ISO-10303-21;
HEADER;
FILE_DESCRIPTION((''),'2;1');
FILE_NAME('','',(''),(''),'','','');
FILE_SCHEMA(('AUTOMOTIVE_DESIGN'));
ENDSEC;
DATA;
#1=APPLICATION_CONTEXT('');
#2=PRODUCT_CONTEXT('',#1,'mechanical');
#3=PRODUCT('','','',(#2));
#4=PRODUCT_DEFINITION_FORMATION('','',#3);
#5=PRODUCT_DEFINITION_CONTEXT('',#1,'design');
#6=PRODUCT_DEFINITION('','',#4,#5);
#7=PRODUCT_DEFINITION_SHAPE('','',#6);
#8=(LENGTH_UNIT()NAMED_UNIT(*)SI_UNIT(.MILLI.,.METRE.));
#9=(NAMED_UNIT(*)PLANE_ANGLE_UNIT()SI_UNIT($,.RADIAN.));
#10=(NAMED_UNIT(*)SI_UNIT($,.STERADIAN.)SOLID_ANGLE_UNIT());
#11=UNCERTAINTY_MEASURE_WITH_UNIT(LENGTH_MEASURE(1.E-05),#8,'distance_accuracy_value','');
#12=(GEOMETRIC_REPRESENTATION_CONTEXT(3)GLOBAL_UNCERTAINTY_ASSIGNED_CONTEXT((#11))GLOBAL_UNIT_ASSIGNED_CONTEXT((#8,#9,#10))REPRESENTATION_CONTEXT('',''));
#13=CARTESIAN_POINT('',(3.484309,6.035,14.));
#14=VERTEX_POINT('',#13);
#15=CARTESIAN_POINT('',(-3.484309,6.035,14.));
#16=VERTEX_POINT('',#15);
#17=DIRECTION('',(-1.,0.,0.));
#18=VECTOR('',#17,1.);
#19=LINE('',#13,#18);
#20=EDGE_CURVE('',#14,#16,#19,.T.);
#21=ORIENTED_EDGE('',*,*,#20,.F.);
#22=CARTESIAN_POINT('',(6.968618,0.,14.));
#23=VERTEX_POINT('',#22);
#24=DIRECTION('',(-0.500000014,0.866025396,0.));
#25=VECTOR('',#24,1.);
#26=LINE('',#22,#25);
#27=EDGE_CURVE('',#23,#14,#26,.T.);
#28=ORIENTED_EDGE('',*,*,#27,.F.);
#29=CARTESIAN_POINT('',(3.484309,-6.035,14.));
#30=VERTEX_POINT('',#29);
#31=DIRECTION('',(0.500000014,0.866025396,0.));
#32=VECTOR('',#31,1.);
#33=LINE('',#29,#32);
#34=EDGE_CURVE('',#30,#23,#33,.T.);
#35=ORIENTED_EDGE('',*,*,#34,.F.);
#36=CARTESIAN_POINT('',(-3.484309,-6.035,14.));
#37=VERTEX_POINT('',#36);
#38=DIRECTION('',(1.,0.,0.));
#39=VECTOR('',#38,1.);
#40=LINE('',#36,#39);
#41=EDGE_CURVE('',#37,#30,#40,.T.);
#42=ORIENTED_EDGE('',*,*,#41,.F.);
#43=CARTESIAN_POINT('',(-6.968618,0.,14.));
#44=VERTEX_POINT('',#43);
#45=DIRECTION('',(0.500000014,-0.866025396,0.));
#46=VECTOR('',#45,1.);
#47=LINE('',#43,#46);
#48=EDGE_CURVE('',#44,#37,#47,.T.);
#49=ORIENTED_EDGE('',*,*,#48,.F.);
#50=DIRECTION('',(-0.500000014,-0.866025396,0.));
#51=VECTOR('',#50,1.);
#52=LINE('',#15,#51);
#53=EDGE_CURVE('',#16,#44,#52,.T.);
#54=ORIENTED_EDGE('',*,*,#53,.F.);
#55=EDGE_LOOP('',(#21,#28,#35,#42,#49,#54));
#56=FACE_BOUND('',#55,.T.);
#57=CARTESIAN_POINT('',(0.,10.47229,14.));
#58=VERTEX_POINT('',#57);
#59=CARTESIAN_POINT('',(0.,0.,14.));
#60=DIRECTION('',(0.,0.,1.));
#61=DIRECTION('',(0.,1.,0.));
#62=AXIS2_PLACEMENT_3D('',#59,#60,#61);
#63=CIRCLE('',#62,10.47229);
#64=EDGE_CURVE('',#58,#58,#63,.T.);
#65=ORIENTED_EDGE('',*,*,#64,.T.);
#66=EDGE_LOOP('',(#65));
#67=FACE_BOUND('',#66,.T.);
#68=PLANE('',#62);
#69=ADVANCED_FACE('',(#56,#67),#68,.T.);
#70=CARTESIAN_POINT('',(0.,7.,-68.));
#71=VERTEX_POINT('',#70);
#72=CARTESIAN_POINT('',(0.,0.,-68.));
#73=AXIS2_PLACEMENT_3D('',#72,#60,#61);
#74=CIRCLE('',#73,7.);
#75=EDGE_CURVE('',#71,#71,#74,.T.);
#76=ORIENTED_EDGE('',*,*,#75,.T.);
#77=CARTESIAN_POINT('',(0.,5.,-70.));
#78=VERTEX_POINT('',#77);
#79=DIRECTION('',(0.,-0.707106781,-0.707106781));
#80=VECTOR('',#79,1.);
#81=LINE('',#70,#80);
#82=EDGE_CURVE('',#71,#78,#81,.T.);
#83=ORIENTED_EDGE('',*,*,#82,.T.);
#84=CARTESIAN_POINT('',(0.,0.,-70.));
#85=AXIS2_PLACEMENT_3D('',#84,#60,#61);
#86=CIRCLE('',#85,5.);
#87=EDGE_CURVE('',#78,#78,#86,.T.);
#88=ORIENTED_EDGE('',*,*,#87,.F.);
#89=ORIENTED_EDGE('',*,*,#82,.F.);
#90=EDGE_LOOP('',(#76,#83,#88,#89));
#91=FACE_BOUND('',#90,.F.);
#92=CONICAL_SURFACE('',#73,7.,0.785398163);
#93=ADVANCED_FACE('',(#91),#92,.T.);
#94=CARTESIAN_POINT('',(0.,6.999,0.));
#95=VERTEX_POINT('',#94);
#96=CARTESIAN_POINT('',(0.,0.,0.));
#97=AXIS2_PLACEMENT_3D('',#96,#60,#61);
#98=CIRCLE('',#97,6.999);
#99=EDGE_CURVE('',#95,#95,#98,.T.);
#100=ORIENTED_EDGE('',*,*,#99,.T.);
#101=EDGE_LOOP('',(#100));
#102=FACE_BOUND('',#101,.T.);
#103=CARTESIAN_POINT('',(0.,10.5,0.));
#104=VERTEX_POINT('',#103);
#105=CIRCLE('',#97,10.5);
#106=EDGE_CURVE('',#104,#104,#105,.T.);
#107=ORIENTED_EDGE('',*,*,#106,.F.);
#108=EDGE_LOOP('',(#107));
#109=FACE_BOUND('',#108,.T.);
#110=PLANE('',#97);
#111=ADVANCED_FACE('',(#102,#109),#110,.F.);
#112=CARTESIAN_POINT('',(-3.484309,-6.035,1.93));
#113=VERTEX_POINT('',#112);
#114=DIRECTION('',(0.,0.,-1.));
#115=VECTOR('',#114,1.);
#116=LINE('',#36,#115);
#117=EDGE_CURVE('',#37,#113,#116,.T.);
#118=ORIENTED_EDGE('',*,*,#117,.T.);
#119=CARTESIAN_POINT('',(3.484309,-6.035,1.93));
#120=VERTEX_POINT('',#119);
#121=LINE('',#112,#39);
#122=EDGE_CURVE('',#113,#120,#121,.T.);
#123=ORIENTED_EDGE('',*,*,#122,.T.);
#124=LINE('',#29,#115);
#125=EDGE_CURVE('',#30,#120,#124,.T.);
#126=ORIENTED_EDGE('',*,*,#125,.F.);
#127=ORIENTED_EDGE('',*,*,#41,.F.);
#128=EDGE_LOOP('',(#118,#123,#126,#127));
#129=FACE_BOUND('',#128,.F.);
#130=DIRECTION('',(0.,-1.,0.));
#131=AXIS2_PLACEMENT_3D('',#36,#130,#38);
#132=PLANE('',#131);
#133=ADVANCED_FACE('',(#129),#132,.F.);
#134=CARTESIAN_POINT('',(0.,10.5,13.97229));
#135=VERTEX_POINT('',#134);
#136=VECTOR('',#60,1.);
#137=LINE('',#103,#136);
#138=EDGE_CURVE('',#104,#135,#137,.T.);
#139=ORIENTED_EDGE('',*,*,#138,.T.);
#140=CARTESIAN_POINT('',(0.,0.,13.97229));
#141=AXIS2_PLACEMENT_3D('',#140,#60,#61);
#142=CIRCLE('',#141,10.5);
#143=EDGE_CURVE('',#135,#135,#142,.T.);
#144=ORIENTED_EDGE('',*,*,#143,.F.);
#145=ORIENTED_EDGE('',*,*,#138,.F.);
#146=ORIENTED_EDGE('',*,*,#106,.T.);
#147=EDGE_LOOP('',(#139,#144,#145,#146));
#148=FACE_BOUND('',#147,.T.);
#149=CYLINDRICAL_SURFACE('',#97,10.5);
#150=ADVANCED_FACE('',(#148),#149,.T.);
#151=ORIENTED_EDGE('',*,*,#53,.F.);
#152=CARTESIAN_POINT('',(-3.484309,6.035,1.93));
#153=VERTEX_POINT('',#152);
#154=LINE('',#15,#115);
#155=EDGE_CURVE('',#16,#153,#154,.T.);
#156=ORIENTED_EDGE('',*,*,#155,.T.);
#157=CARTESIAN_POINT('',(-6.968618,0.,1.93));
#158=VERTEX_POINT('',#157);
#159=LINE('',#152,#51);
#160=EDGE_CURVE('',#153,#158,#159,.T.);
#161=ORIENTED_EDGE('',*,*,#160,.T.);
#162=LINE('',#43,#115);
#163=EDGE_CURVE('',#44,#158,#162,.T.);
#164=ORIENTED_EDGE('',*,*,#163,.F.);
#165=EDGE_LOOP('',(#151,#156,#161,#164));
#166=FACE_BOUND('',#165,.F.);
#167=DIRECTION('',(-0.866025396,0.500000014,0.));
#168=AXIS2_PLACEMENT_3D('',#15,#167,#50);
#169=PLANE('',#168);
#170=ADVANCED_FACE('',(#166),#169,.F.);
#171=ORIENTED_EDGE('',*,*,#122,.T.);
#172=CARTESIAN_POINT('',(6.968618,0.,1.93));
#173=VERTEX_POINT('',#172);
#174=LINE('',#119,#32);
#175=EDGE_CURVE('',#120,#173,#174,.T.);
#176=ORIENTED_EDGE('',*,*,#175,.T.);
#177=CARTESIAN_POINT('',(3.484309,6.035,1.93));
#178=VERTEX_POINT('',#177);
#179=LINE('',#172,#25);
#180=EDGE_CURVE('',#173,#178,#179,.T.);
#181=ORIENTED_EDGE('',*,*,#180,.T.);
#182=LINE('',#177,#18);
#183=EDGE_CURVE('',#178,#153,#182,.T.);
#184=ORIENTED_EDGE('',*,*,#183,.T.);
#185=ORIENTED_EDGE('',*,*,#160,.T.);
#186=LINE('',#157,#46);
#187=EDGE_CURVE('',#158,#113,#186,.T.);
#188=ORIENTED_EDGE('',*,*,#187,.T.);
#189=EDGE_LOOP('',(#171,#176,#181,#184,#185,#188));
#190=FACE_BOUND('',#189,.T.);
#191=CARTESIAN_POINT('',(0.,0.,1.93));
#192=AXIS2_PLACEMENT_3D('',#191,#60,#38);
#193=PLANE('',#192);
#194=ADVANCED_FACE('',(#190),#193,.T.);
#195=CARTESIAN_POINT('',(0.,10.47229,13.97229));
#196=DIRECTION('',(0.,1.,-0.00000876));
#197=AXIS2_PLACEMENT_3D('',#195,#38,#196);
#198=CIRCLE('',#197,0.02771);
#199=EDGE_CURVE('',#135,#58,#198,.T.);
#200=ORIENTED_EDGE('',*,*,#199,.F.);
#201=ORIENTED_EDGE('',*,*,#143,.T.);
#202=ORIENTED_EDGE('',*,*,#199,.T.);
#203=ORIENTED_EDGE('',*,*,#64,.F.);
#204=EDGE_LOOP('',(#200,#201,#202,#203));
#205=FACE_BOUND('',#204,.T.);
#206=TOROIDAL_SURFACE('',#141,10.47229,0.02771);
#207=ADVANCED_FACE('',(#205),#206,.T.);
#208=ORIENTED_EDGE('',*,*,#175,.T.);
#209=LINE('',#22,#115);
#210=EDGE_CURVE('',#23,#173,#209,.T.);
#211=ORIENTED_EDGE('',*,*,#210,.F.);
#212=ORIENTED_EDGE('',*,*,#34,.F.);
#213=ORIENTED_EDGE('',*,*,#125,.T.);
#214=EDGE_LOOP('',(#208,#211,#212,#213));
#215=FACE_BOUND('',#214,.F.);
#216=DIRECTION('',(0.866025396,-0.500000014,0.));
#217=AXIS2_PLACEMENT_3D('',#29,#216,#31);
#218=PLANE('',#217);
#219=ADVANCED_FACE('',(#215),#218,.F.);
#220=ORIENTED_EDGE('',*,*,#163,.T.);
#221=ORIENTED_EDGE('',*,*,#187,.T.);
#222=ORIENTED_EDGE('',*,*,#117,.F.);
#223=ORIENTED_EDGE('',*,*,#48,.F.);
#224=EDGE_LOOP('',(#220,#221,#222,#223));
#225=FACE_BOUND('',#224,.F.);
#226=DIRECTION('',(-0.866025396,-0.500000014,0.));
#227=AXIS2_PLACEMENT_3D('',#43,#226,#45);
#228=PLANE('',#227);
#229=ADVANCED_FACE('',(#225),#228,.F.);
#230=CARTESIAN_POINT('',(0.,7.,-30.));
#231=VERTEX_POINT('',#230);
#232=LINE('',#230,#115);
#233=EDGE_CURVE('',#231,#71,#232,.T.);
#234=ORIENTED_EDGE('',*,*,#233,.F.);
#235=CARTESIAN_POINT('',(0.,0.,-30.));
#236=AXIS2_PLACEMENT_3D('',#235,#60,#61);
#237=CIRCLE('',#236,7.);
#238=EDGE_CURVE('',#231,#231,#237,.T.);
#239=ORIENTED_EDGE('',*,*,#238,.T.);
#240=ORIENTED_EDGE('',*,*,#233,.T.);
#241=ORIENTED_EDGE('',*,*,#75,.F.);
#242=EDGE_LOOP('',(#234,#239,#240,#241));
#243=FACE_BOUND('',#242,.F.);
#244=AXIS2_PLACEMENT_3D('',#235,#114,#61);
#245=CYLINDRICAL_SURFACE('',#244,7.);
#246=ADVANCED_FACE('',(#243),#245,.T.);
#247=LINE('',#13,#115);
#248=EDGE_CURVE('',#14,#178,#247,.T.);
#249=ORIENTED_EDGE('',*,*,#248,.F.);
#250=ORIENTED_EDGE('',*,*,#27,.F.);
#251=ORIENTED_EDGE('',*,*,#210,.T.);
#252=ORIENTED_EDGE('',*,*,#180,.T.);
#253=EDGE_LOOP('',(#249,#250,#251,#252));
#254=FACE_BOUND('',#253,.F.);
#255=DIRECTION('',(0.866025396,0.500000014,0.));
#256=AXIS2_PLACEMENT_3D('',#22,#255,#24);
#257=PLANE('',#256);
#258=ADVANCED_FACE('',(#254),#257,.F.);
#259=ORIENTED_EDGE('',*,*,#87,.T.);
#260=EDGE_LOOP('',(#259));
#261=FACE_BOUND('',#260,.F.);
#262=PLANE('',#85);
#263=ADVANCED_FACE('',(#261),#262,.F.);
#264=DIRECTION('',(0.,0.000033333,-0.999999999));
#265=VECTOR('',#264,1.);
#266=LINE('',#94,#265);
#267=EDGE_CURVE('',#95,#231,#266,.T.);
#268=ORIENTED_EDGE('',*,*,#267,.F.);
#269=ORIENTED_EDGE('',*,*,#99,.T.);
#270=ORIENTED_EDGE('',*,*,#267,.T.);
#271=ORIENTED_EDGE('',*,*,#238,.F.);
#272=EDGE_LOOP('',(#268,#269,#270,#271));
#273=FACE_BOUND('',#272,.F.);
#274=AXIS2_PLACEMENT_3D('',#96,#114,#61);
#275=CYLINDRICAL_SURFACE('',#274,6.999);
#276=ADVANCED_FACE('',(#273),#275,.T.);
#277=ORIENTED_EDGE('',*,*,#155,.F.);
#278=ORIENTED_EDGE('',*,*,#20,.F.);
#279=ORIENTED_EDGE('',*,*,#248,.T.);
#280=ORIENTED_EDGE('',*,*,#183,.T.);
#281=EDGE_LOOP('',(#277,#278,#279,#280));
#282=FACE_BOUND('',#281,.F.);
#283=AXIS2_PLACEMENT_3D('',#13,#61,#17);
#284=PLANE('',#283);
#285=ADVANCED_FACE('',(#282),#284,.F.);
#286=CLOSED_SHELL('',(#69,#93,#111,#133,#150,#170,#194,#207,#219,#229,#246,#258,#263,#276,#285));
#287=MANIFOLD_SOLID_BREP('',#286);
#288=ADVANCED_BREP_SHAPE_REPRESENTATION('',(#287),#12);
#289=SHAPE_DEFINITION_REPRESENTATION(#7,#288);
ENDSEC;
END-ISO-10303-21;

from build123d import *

# Parameters (mm, degrees)
POCKET_DEPTH = 12.07


with BuildPart() as part:
    # Sketch → Revolve (revolve)
    with BuildSketch(Plane.YZ):
        with BuildLine():
            Line((6.999, 0), (10.5, 0))
            Line((10.5, 0), (10.5, 13.97229))
            ThreePointArc((10.5, 13.97229), (10.491884, 13.991884), (10.47229, 14))
            Line((10.47229, 14), (0, 14))
            Line((0, -70), (0, 14))
            Line((5, -70), (0, -70))
            Line((7, -68), (5, -70))
            Line((7, -30), (7, -68))
            Line((6.999, 0), (7, -30))
        make_face()
    revolve(axis=Axis((0, 0, 0), (0, 0, 1)))

    # Sketch001 → Pocket (cut)
    with BuildSketch(Plane.XY.offset(14)):
        Polygon((6.968618, 0), (3.484309, 6.035), (-3.484309, 6.035), (-6.968618, 0), (-3.484309, -6.035), (3.484309, -6.035), align=None)
    extrude(amount=-POCKET_DEPTH, mode=Mode.SUBTRACT)


solid = part.part
